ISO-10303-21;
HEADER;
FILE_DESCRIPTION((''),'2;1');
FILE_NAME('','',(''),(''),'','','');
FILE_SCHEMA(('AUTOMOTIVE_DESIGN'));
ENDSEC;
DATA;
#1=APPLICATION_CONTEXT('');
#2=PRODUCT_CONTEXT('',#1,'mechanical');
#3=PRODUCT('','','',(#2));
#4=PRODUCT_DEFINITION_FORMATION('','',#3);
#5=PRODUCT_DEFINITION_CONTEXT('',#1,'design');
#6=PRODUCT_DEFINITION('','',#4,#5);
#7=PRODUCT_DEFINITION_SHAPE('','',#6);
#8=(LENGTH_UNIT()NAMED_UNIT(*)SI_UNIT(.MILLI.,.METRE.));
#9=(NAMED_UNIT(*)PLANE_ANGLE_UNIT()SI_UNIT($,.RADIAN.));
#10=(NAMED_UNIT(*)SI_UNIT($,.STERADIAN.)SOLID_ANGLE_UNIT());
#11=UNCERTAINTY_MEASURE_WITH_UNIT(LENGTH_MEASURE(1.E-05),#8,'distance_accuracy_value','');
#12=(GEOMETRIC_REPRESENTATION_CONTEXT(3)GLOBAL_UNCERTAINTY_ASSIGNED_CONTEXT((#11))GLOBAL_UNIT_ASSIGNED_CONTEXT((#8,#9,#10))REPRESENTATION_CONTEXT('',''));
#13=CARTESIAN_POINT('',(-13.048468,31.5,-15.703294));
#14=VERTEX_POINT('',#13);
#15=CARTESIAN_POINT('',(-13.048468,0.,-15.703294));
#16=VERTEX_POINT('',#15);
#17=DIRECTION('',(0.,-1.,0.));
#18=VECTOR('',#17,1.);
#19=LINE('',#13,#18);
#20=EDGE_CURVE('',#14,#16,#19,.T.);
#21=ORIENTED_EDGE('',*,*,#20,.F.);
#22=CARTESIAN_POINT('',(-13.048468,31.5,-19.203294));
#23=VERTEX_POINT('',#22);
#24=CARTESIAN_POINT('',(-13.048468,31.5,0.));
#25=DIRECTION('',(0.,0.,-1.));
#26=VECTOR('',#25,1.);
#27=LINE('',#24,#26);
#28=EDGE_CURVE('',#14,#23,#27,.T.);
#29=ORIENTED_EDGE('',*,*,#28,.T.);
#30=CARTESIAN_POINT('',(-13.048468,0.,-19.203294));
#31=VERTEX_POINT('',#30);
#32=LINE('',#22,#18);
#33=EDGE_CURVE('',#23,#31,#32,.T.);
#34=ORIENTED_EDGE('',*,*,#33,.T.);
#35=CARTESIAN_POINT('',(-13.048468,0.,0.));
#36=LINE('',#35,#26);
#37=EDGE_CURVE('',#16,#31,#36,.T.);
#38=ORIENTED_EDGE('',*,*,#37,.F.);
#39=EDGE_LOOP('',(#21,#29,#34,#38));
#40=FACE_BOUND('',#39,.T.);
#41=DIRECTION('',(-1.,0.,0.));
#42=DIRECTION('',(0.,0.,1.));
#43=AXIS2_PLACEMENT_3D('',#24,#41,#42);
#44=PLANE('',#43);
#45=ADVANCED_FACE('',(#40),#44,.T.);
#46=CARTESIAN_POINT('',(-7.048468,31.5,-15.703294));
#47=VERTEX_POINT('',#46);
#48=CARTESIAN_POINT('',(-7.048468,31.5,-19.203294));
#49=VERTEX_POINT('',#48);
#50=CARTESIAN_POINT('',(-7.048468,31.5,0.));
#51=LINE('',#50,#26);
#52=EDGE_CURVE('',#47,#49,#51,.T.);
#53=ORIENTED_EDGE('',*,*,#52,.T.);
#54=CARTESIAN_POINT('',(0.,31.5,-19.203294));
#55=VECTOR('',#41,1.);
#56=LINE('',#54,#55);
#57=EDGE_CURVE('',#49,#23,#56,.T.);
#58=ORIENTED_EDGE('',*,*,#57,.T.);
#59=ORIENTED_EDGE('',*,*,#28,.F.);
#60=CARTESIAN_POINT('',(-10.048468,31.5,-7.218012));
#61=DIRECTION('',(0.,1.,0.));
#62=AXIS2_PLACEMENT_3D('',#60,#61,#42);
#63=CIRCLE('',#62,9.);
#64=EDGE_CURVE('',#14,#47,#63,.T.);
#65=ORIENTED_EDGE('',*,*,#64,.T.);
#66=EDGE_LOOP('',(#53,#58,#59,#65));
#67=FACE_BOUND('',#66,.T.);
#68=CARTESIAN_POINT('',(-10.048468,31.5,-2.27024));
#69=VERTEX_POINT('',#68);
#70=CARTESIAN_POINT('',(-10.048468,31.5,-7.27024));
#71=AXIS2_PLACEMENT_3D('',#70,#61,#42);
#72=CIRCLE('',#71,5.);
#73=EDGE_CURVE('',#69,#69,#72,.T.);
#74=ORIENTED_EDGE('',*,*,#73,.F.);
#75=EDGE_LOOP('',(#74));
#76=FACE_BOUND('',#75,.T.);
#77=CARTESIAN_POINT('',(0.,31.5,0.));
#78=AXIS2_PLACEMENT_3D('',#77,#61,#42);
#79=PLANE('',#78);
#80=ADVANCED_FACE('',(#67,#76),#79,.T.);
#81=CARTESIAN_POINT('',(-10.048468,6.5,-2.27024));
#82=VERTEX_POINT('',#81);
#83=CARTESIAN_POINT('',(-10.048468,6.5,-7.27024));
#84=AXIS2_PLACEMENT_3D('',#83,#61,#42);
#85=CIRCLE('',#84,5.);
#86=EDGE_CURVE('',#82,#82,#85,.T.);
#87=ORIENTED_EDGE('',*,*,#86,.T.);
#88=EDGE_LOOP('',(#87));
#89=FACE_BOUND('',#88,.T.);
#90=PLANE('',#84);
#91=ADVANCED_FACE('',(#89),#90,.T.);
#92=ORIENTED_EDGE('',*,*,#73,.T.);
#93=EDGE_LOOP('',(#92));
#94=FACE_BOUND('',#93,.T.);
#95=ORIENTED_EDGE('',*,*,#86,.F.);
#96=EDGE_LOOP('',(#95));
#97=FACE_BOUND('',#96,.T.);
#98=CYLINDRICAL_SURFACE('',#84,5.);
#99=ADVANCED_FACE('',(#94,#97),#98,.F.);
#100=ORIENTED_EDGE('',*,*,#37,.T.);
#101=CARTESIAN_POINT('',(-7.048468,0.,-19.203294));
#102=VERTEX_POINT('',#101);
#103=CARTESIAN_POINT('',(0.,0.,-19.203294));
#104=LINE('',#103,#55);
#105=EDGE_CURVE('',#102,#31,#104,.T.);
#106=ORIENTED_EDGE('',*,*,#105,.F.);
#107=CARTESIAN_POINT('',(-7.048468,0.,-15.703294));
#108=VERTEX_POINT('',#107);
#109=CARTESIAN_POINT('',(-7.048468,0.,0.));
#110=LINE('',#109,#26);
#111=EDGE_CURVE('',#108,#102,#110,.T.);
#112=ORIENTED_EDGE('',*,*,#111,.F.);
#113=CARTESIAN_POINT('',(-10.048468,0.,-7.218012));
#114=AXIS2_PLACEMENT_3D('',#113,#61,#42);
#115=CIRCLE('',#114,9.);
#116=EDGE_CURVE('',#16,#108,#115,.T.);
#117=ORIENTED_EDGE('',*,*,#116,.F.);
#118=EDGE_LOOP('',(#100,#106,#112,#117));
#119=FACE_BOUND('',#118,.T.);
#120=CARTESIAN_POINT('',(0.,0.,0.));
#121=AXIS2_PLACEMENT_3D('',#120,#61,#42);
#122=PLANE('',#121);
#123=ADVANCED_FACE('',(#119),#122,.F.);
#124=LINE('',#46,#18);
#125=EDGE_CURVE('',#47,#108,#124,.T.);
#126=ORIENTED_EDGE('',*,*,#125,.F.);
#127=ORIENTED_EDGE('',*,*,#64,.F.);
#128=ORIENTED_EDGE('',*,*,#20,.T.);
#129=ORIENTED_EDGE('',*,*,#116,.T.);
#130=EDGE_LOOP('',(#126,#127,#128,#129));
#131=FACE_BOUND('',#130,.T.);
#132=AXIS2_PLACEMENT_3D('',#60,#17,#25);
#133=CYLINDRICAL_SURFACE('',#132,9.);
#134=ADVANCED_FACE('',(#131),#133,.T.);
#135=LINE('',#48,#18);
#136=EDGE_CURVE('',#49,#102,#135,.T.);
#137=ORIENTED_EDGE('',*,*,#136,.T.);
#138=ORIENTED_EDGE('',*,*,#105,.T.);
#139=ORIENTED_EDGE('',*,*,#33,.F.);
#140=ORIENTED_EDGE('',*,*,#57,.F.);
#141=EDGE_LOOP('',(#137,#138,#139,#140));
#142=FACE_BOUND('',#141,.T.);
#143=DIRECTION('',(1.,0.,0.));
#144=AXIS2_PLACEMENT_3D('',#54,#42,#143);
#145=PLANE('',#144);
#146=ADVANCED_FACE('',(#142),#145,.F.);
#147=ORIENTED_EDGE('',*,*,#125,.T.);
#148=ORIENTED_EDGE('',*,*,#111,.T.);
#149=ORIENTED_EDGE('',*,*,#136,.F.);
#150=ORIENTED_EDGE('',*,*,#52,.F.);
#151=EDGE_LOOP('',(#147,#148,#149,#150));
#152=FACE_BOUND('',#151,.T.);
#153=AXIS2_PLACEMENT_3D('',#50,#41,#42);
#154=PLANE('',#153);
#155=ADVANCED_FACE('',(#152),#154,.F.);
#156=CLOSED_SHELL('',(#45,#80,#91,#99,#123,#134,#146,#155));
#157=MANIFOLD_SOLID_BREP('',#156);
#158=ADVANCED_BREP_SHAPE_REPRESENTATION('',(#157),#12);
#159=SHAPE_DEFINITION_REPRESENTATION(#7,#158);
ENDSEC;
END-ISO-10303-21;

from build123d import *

# Parameters (mm, degrees)
BOSS_EXTRUDE1_DEPTH = 31.5
SKETCH5_R           = 5
CUT_EXTRUDE1_DEPTH  = 25


with BuildPart() as part:
    # Sketch1 → Boss-Extrude1 (new body)
    with BuildSketch(Plane(origin=(0, 0, 0), x_dir=(1, 0, 0), z_dir=(0, 1, 0))):
        with BuildLine():
            ThreePointArc((-1.048467756, 7.218012428), (-2.699998527, 12.414164851), (-7.048467756, 15.703293803))
            ThreePointArc((-7.048467756, 15.703293803), (-10.048467756, 16.218012428), (-13.048467756, 15.703293803))
            ThreePointArc((-13.048467756, 15.703293803), (-15.244620178, -0.1304568), (-1.048467756, 7.218012428))
        make_face()
        with BuildLine():
            ThreePointArc((-13.048467756, 15.703293803), (-10.048467756, 16.218012428), (-7.048467756, 15.703293803))
            Line((-7.048467756, 15.703293803), (-7.048467756, 19.203293803))
            Line((-7.048467756, 19.203293803), (-13.048467756, 19.203293803))
            Line((-13.048467756, 19.203293803), (-13.048467756, 15.703293803))
        make_face()
    extrude(amount=BOSS_EXTRUDE1_DEPTH)

    # Sketch5 → Cut-Extrude1 (cut)
    with BuildSketch(Plane(origin=(0, 31.5, 0), x_dir=(1, 0, 0), z_dir=(0, 1, 0))):
        with Locations((-10.048467756, 7.270239538)):
            Circle(SKETCH5_R)
    extrude(amount=-CUT_EXTRUDE1_DEPTH, mode=Mode.SUBTRACT)


solid = part.part
